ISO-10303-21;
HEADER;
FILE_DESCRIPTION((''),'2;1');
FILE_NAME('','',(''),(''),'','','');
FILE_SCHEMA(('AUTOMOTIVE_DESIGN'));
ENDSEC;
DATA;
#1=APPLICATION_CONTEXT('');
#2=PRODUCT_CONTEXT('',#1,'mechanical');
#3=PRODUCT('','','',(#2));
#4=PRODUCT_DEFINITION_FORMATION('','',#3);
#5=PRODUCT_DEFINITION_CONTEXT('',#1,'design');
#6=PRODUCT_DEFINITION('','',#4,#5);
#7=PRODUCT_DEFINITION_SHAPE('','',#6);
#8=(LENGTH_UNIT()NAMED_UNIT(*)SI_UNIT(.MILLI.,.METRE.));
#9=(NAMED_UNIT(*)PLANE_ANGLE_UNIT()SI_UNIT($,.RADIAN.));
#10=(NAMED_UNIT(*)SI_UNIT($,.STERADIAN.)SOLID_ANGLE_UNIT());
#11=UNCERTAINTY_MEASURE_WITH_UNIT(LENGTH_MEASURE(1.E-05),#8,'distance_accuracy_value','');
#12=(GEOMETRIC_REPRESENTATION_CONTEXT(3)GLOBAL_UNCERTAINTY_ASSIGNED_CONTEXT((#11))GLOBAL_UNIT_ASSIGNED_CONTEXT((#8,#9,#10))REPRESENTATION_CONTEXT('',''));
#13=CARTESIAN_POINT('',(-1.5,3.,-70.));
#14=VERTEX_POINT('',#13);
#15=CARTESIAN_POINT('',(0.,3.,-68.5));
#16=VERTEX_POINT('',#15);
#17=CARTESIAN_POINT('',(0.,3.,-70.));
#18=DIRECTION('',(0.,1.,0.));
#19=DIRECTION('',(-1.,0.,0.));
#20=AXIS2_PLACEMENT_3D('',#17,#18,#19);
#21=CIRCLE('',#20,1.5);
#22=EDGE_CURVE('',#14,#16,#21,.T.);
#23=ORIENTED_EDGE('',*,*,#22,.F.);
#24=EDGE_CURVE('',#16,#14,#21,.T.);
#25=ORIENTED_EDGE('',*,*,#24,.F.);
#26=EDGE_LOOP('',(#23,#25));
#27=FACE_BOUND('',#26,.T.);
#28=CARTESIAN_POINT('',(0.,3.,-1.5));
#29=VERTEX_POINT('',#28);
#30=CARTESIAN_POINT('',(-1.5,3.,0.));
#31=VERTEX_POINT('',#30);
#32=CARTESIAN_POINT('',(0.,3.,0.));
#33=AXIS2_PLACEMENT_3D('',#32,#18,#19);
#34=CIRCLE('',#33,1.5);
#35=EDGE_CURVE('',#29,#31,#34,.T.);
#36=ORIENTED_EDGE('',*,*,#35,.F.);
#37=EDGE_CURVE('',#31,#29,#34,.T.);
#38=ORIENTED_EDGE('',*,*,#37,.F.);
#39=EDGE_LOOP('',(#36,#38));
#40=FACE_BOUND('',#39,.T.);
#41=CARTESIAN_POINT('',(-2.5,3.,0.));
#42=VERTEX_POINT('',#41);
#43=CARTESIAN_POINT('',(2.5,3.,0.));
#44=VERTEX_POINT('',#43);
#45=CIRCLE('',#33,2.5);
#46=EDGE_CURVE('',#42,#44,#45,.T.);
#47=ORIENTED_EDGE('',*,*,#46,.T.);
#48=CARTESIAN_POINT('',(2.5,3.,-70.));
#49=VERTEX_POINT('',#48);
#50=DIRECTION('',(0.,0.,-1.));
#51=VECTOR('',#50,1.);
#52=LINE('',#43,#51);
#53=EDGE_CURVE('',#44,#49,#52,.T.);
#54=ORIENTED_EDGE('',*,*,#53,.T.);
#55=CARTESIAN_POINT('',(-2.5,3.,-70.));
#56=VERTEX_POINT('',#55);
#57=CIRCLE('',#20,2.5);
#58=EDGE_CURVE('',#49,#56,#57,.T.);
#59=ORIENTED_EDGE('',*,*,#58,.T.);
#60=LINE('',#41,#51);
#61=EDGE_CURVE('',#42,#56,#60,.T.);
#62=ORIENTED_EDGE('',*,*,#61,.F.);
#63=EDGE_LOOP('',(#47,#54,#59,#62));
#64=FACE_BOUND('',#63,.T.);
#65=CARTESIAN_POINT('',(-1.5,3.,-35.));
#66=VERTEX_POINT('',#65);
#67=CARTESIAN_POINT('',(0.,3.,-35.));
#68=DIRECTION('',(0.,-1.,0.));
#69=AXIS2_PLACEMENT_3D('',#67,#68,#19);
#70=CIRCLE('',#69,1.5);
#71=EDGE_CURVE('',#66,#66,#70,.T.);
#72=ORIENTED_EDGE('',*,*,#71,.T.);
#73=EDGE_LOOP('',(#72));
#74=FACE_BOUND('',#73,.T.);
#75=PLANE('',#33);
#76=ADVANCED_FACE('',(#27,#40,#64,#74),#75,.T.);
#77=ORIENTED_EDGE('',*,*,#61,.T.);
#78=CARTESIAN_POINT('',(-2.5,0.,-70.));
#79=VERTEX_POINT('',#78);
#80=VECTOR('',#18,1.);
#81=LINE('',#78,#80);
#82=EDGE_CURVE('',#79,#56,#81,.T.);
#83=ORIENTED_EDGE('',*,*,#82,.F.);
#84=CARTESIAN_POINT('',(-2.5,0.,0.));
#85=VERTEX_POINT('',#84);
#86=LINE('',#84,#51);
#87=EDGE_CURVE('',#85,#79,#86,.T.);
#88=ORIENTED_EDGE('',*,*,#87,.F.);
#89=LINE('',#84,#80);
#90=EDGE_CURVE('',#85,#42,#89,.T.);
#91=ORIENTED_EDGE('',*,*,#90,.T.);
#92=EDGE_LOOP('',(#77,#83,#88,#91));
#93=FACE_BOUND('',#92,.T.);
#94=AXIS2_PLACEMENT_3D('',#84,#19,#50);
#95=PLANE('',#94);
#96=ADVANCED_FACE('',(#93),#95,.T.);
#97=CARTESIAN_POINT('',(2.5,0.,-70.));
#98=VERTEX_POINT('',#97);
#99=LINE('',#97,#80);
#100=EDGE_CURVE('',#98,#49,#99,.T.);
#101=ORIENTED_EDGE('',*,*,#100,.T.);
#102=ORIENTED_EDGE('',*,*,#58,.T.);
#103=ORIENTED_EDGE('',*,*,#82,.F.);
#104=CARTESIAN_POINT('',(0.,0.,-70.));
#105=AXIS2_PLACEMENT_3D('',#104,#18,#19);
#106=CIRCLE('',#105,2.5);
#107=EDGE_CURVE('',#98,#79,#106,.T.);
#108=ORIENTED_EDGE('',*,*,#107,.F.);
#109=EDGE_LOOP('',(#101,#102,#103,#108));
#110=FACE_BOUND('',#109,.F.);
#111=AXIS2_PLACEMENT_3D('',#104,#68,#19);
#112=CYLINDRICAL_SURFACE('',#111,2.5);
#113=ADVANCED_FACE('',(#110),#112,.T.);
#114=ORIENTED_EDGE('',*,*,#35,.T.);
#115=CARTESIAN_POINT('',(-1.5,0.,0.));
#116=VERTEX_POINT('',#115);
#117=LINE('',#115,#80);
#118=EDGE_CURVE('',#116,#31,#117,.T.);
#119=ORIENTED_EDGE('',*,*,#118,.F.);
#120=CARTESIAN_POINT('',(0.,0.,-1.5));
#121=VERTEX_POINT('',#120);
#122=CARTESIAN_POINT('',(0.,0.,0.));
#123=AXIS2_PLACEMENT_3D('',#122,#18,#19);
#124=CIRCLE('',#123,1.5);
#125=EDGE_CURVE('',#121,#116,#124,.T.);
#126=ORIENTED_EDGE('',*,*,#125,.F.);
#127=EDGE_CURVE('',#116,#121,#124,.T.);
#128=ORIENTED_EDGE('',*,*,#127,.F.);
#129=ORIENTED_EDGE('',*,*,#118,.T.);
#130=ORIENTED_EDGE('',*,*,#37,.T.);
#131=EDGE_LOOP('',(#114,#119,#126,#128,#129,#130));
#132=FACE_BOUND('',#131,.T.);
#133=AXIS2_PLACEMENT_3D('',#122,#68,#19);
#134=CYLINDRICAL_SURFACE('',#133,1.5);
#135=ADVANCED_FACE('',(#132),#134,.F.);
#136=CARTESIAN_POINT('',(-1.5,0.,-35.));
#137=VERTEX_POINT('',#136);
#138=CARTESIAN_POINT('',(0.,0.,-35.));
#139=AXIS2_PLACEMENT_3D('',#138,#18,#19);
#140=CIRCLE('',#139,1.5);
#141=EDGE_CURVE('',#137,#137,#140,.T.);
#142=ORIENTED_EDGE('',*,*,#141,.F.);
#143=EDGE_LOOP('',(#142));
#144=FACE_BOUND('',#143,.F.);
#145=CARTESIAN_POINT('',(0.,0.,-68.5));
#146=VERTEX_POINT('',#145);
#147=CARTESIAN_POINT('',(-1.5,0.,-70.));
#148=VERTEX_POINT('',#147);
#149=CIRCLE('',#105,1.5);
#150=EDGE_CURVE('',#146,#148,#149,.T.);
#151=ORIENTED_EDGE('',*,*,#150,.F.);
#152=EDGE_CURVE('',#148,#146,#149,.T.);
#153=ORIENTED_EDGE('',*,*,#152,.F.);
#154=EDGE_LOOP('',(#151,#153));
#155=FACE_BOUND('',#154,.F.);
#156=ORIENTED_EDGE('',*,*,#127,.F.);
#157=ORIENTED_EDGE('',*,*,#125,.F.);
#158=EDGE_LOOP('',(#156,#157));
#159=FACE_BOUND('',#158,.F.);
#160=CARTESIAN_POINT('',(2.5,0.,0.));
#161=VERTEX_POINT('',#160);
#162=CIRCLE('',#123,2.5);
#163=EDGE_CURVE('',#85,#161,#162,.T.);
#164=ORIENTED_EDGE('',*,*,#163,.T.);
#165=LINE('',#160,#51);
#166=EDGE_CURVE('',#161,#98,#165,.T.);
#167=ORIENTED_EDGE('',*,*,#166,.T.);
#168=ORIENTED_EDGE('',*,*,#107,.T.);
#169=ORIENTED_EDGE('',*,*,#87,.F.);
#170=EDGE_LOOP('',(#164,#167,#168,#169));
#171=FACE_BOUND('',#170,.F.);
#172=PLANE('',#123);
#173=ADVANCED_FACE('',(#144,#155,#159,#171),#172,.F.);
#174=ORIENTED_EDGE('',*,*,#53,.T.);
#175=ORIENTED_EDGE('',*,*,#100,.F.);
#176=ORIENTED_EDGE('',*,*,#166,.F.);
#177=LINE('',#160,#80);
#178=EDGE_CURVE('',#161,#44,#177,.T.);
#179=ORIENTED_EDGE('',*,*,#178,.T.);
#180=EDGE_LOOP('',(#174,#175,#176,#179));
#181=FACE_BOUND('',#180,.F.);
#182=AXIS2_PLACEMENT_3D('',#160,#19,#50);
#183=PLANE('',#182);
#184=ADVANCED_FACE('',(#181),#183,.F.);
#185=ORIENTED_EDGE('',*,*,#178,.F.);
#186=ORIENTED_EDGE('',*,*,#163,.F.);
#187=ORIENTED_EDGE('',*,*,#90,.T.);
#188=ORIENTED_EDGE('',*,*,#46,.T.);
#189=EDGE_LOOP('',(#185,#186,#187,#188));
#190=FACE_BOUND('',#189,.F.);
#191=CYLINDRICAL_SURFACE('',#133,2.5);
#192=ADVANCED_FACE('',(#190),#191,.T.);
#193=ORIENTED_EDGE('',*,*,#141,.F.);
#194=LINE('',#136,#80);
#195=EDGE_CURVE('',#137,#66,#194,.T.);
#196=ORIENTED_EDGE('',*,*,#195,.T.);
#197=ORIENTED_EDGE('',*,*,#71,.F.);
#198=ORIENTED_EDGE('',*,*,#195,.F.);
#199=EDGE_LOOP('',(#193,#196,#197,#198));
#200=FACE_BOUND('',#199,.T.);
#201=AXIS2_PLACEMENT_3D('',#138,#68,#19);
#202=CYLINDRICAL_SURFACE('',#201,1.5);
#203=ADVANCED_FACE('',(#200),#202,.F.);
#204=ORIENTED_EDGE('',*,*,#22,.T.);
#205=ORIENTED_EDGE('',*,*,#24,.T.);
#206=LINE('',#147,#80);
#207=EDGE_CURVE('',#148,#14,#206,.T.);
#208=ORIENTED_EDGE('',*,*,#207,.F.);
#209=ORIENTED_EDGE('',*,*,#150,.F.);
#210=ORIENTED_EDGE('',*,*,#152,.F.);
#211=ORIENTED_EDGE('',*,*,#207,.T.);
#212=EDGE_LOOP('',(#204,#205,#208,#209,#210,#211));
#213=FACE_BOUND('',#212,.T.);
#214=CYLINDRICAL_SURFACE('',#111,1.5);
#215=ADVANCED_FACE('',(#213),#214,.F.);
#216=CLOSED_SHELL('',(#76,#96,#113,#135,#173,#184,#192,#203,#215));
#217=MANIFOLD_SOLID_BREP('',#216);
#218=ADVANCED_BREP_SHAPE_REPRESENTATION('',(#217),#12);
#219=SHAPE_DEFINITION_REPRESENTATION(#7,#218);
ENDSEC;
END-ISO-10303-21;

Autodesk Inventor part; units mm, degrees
ref_plane "YZ Plane" through (0, 0, 0) normal (1, 0, 0) x (0, 1, 0)
ref_plane "XZ Plane" through (0, 0, 0) normal (0, 1, 0) x (-1, 0, 0)
ref_plane "XY Plane" through (0, 0, 0) normal (0, 0, 1) x (1, 0, 0)
sketch "Sketch1" plane through (0, 0, 0) normal (0, 1, 0) x (-1, 0, 0)
  line L0 (0, 0) -> (0, -35)
  line L1 (0, -35) -> (0, -70)
  circle A0 centre (0, 0) radius 2.5
  circle A1 centre (0, -70) radius 2.5
  circle A2 centre (0, 0) radius 1.5
  circle A3 centre (0, -35) radius 1.5
  circle A4 centre (0, -70) radius 1.5
  line L2 (2.5, 0) -> (2.5, -70)
  line L3 (-2.5, 0) -> (-2.5, -70)
  dimension "d0" = 35
  dimension "d1" = 35
  dimension "d2" = 5
  dimension "d3" = 5
  dimension "d4" = 3
  dimension "d5" = 3
  dimension "d6" = 3
extrude "Extrusion1" add sketch "Sketch1" along normal blind 3 contours A0 | A0 L2 A1 L1 A3 L0 | L0 A3 L1 A1 L3 A0 | A1
properties part number "tussenarm"
